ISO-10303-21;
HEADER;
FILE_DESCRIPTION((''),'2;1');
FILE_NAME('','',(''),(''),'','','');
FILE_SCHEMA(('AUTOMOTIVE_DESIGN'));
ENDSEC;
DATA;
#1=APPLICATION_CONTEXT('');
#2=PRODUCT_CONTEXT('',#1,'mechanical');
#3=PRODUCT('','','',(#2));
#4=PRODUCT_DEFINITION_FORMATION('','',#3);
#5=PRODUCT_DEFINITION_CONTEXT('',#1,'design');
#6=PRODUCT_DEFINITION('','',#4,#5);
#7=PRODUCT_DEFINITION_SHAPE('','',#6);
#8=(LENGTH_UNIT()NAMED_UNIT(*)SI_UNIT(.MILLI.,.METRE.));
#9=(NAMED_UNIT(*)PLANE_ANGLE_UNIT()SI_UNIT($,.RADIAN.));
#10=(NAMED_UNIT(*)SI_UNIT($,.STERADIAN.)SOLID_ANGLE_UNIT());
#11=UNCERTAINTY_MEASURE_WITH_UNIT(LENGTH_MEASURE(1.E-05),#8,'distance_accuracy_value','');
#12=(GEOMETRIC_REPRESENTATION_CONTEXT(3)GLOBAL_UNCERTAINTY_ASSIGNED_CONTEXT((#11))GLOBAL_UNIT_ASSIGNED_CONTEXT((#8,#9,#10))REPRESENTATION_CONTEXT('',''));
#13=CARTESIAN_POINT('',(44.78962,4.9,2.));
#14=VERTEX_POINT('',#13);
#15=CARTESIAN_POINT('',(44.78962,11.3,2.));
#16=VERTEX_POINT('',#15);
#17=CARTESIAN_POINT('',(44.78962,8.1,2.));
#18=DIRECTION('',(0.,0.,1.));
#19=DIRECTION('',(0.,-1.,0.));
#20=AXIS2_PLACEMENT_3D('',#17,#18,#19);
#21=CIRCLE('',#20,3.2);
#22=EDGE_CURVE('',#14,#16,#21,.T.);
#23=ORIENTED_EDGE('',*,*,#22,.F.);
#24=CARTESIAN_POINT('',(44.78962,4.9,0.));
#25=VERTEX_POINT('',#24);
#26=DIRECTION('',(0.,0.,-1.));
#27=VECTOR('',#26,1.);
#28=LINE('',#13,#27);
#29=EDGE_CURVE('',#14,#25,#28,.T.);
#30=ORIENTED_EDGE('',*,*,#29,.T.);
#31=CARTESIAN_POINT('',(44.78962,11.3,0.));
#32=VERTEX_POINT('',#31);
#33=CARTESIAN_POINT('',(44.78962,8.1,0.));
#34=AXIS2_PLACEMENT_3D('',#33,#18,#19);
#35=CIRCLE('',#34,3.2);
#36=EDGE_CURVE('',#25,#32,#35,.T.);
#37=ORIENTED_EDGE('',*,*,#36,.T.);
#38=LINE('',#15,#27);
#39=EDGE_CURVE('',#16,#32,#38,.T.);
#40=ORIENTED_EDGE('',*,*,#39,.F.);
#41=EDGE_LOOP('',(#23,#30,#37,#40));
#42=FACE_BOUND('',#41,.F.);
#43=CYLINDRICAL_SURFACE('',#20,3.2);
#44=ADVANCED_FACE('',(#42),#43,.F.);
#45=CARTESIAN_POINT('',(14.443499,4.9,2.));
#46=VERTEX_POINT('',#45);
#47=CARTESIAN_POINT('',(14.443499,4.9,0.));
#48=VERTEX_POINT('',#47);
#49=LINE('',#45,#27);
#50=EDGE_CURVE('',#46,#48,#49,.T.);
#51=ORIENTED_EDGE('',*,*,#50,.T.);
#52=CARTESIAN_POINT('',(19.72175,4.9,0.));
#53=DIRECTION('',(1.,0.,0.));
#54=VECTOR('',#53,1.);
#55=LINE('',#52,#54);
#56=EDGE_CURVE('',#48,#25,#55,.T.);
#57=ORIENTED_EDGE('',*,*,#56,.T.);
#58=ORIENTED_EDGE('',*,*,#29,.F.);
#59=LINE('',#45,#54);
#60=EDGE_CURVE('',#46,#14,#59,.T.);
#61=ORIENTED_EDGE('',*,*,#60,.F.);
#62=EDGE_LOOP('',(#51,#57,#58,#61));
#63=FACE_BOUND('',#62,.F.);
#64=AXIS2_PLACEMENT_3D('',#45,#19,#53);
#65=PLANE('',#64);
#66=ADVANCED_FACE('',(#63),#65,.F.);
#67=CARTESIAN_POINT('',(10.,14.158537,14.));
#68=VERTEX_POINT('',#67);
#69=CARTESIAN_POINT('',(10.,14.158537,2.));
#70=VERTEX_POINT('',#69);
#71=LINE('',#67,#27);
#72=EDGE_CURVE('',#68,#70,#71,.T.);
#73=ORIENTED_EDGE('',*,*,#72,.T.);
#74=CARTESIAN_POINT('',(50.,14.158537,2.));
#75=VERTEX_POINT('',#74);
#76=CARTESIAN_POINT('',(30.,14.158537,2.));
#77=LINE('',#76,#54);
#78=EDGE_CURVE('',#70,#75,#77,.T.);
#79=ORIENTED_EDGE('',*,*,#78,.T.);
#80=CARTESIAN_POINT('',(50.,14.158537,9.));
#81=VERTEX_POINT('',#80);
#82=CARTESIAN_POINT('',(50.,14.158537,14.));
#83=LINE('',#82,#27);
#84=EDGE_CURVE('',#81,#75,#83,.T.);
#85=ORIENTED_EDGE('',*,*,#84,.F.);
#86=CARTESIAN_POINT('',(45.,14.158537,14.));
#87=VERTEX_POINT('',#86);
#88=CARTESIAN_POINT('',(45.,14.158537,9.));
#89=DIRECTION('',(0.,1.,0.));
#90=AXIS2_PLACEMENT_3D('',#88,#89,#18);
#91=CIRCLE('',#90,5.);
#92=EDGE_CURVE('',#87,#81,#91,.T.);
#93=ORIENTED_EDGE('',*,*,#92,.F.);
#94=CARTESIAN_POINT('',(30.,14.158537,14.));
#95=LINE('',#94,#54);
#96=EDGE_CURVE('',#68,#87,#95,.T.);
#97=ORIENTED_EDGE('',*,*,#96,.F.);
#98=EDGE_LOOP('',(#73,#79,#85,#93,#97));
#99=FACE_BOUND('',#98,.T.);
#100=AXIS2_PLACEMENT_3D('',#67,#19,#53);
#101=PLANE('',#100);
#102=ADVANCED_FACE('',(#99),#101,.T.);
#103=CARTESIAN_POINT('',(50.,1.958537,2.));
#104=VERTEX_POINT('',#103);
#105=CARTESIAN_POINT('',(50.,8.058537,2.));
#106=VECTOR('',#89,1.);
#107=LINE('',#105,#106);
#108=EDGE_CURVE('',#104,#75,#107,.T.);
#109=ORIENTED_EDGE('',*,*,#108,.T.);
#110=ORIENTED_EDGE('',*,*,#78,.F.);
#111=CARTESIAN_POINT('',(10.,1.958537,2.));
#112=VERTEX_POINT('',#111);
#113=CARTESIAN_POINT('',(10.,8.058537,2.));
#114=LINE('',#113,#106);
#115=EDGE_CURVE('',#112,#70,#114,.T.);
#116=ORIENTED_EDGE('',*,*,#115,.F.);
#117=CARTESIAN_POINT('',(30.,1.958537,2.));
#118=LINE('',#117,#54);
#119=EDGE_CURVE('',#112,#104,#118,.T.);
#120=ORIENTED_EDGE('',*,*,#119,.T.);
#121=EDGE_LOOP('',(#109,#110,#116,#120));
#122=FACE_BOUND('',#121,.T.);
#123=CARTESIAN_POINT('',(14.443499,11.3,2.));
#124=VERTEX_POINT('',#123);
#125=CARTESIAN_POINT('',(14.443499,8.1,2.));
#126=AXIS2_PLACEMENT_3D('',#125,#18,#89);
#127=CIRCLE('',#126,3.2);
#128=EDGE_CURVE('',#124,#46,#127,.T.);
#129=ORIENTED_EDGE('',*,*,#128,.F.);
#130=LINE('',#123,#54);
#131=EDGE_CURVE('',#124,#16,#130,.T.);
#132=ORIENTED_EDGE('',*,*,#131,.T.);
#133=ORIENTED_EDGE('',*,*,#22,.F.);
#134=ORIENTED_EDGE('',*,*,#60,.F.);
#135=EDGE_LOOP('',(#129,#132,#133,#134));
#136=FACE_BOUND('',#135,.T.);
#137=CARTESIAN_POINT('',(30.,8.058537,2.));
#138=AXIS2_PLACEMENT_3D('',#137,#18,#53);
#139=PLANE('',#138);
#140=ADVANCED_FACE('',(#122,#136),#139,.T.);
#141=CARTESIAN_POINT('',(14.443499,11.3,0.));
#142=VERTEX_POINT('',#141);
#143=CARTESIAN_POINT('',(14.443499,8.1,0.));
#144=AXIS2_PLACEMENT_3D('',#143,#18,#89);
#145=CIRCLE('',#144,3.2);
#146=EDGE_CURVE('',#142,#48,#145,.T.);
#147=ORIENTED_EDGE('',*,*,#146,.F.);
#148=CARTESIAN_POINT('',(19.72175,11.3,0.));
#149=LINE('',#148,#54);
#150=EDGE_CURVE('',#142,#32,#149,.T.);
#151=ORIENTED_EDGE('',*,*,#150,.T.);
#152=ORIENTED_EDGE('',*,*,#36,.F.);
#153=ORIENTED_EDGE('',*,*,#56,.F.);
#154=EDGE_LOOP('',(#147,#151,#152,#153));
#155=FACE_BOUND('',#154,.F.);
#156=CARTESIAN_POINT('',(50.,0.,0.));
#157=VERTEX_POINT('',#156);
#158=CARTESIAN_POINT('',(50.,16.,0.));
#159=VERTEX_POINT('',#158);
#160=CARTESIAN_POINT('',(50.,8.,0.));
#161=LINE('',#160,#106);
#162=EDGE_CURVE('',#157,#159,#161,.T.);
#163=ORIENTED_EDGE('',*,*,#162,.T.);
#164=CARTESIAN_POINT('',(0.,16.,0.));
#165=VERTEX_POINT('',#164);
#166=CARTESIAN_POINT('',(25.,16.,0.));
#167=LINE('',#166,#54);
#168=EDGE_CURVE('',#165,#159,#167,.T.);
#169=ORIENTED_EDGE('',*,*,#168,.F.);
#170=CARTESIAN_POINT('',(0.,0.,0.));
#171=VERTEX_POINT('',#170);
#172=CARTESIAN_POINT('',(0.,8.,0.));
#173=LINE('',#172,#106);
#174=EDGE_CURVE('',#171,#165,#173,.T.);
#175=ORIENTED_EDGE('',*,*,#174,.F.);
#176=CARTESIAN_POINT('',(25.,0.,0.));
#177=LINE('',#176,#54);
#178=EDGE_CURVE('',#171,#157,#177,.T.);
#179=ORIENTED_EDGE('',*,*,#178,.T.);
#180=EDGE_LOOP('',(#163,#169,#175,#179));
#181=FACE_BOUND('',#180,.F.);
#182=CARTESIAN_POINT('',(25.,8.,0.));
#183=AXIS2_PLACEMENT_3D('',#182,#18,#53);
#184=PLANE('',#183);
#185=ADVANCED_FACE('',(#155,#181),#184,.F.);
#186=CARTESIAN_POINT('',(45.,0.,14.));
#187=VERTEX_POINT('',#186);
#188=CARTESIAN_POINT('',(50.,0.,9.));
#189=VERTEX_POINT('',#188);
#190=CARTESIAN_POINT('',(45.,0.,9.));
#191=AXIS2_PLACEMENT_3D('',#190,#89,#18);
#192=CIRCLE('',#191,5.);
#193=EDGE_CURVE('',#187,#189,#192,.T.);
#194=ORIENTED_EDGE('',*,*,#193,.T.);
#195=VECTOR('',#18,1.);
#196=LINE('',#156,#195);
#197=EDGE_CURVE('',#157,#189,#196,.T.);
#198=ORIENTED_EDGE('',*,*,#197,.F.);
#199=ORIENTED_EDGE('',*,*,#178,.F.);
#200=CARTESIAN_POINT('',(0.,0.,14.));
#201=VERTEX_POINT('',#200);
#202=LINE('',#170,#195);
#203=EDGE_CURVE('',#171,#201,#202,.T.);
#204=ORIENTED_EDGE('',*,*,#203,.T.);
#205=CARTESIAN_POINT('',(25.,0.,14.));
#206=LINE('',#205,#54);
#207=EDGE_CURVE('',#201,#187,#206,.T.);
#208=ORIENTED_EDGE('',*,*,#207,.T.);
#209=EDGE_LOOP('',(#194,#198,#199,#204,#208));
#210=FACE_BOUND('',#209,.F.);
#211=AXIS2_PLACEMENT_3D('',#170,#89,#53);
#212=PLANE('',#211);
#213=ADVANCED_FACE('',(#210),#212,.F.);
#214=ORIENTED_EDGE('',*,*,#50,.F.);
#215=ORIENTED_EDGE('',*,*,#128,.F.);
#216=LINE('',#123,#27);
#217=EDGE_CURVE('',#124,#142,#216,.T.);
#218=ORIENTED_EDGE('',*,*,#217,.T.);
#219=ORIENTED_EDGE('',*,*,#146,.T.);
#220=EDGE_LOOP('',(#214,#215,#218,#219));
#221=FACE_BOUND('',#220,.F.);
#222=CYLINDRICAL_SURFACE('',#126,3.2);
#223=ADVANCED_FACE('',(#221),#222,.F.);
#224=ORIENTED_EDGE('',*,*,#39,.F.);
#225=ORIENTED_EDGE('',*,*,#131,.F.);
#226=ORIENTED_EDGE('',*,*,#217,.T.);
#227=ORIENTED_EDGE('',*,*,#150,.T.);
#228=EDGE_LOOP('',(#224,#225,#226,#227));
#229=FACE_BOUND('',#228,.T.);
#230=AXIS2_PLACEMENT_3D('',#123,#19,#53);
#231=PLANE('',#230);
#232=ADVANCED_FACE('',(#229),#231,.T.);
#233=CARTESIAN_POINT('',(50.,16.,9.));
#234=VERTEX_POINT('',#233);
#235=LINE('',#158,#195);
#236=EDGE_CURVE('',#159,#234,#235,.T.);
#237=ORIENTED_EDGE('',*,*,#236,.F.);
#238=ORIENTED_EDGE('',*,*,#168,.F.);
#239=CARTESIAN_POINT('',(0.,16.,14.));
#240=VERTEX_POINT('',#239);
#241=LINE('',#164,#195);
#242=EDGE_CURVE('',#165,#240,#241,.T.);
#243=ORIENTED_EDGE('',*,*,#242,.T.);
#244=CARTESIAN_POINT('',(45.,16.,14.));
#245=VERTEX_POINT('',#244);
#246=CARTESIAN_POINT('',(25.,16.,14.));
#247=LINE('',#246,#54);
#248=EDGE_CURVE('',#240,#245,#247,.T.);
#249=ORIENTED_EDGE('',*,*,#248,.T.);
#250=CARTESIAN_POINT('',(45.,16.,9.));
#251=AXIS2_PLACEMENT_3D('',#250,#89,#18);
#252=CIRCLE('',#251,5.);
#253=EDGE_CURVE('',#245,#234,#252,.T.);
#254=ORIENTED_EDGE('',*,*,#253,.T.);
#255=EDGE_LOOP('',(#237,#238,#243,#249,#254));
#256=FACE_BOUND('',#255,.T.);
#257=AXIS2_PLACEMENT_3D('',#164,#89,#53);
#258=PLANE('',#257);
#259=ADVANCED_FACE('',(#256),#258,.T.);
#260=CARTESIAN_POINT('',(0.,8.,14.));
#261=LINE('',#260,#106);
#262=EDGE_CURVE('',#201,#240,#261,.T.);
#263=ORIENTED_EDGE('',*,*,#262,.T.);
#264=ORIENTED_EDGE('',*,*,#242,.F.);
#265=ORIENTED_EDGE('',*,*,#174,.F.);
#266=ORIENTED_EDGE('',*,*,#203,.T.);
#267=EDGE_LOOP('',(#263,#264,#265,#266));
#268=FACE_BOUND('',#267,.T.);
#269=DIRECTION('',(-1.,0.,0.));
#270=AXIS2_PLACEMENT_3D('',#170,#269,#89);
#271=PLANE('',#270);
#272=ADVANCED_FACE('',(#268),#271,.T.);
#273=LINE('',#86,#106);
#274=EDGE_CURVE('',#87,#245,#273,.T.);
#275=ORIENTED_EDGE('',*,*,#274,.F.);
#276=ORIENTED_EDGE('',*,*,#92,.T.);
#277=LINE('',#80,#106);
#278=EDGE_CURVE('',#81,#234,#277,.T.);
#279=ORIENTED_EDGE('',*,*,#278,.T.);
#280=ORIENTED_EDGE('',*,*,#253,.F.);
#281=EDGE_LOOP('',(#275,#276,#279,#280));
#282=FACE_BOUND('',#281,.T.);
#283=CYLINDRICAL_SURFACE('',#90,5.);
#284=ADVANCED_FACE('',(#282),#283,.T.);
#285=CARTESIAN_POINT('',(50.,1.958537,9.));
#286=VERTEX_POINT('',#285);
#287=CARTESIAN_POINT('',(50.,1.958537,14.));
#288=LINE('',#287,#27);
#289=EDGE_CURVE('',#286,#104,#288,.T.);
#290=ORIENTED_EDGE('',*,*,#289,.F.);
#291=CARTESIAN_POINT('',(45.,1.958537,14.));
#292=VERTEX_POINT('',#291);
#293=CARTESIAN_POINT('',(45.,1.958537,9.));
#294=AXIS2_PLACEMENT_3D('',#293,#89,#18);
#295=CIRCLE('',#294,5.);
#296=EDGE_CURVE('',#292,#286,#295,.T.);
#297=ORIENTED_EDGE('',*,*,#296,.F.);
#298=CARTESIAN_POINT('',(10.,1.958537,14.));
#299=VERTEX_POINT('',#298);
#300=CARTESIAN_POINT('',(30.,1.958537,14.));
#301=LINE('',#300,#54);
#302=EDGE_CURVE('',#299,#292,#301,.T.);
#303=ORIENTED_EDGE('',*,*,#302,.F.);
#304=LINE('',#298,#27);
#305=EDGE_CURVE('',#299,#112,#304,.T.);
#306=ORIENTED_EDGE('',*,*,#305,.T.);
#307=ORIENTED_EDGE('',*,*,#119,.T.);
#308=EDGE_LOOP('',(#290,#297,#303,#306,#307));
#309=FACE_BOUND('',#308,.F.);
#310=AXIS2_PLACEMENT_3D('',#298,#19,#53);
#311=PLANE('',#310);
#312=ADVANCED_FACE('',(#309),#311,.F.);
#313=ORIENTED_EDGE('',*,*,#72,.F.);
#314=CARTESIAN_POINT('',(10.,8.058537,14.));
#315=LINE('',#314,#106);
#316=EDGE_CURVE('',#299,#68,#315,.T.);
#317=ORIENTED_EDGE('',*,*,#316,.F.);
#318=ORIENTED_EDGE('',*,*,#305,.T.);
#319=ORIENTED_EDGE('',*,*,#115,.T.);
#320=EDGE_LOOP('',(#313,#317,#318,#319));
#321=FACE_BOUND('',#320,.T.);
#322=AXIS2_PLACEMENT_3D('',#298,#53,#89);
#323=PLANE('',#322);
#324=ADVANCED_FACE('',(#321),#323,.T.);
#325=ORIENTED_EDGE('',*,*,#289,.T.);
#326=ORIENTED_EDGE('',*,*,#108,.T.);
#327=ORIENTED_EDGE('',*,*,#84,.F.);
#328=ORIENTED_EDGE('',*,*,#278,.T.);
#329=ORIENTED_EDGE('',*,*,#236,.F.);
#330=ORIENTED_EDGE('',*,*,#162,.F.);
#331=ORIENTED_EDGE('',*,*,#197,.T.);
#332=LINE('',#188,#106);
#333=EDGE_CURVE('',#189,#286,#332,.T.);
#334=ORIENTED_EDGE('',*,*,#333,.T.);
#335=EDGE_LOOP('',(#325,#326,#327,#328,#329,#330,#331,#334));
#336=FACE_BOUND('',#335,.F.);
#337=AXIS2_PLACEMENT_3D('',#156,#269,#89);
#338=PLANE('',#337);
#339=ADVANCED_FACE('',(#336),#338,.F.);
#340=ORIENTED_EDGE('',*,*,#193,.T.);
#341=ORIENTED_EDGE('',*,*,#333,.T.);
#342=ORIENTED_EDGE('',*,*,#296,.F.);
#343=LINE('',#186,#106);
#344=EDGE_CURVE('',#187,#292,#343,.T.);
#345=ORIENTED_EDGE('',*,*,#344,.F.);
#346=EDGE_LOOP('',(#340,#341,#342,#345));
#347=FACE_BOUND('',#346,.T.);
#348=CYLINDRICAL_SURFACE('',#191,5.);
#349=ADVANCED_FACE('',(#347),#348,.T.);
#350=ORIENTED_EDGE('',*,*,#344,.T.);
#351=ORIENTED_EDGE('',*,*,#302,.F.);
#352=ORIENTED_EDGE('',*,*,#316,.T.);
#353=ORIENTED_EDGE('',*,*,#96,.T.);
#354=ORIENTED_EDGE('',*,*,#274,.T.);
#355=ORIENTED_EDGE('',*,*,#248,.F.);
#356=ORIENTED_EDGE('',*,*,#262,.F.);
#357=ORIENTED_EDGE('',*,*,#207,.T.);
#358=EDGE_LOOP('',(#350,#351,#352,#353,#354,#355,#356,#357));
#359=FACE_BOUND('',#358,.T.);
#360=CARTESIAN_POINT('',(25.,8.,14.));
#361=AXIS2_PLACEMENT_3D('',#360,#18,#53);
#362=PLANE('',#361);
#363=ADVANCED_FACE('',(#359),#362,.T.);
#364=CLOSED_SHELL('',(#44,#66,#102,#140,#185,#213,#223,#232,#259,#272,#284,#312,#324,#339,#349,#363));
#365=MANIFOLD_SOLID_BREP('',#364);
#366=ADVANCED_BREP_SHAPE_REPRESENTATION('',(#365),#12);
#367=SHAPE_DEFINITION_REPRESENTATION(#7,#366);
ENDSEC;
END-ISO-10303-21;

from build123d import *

# Parameters (mm, degrees)
SKETCH_W        = 50
SKETCH_H        = 16
PAD_DEPTH       = 14
SKETCH001_W     = 40
SKETCH001_H     = 12.2
POCKET_DEPTH    = 12
POCKET001_DEPTH = 5
FILLET_R        = 5


with BuildPart() as part:
    # Sketch → Pad (new body)
    with BuildSketch(Plane.XY):
        with Locations((25, 8)):
            Rectangle(SKETCH_W, SKETCH_H)
    extrude(amount=PAD_DEPTH)

    # Sketch001 (on Face6 of Pad) → Pocket (cut)
    with BuildSketch(Plane.XY.offset(14)):
        with Locations((30, 8.058537)):
            Rectangle(SKETCH001_W, SKETCH001_H)
    extrude(amount=-POCKET_DEPTH, mode=Mode.SUBTRACT)

    # Sketch002 (on Face8 of Pocket) → Pocket001 (cut)
    with BuildSketch(Plane.XY.offset(2)):
        with BuildLine():
            ThreePointArc((14.443499, 11.3), (11.243499, 8.1), (14.443499, 4.9))
            Line((14.443499, 4.9), (44.78962, 4.9))
            ThreePointArc((44.78962, 4.9), (47.98962, 8.1), (44.78962, 11.3))
            Line((14.443499, 11.3), (44.78962, 11.3))
        make_face()
    extrude(amount=-POCKET001_DEPTH, mode=Mode.SUBTRACT)

    # Fillet
    fillet_edges = [part.edges().sort_by_distance(p)[0] for p in [
        (50, 0.979269, 14),
        (50, 15.079269, 14),
    ]]
    fillet(fillet_edges, radius=FILLET_R)


solid = part.part
